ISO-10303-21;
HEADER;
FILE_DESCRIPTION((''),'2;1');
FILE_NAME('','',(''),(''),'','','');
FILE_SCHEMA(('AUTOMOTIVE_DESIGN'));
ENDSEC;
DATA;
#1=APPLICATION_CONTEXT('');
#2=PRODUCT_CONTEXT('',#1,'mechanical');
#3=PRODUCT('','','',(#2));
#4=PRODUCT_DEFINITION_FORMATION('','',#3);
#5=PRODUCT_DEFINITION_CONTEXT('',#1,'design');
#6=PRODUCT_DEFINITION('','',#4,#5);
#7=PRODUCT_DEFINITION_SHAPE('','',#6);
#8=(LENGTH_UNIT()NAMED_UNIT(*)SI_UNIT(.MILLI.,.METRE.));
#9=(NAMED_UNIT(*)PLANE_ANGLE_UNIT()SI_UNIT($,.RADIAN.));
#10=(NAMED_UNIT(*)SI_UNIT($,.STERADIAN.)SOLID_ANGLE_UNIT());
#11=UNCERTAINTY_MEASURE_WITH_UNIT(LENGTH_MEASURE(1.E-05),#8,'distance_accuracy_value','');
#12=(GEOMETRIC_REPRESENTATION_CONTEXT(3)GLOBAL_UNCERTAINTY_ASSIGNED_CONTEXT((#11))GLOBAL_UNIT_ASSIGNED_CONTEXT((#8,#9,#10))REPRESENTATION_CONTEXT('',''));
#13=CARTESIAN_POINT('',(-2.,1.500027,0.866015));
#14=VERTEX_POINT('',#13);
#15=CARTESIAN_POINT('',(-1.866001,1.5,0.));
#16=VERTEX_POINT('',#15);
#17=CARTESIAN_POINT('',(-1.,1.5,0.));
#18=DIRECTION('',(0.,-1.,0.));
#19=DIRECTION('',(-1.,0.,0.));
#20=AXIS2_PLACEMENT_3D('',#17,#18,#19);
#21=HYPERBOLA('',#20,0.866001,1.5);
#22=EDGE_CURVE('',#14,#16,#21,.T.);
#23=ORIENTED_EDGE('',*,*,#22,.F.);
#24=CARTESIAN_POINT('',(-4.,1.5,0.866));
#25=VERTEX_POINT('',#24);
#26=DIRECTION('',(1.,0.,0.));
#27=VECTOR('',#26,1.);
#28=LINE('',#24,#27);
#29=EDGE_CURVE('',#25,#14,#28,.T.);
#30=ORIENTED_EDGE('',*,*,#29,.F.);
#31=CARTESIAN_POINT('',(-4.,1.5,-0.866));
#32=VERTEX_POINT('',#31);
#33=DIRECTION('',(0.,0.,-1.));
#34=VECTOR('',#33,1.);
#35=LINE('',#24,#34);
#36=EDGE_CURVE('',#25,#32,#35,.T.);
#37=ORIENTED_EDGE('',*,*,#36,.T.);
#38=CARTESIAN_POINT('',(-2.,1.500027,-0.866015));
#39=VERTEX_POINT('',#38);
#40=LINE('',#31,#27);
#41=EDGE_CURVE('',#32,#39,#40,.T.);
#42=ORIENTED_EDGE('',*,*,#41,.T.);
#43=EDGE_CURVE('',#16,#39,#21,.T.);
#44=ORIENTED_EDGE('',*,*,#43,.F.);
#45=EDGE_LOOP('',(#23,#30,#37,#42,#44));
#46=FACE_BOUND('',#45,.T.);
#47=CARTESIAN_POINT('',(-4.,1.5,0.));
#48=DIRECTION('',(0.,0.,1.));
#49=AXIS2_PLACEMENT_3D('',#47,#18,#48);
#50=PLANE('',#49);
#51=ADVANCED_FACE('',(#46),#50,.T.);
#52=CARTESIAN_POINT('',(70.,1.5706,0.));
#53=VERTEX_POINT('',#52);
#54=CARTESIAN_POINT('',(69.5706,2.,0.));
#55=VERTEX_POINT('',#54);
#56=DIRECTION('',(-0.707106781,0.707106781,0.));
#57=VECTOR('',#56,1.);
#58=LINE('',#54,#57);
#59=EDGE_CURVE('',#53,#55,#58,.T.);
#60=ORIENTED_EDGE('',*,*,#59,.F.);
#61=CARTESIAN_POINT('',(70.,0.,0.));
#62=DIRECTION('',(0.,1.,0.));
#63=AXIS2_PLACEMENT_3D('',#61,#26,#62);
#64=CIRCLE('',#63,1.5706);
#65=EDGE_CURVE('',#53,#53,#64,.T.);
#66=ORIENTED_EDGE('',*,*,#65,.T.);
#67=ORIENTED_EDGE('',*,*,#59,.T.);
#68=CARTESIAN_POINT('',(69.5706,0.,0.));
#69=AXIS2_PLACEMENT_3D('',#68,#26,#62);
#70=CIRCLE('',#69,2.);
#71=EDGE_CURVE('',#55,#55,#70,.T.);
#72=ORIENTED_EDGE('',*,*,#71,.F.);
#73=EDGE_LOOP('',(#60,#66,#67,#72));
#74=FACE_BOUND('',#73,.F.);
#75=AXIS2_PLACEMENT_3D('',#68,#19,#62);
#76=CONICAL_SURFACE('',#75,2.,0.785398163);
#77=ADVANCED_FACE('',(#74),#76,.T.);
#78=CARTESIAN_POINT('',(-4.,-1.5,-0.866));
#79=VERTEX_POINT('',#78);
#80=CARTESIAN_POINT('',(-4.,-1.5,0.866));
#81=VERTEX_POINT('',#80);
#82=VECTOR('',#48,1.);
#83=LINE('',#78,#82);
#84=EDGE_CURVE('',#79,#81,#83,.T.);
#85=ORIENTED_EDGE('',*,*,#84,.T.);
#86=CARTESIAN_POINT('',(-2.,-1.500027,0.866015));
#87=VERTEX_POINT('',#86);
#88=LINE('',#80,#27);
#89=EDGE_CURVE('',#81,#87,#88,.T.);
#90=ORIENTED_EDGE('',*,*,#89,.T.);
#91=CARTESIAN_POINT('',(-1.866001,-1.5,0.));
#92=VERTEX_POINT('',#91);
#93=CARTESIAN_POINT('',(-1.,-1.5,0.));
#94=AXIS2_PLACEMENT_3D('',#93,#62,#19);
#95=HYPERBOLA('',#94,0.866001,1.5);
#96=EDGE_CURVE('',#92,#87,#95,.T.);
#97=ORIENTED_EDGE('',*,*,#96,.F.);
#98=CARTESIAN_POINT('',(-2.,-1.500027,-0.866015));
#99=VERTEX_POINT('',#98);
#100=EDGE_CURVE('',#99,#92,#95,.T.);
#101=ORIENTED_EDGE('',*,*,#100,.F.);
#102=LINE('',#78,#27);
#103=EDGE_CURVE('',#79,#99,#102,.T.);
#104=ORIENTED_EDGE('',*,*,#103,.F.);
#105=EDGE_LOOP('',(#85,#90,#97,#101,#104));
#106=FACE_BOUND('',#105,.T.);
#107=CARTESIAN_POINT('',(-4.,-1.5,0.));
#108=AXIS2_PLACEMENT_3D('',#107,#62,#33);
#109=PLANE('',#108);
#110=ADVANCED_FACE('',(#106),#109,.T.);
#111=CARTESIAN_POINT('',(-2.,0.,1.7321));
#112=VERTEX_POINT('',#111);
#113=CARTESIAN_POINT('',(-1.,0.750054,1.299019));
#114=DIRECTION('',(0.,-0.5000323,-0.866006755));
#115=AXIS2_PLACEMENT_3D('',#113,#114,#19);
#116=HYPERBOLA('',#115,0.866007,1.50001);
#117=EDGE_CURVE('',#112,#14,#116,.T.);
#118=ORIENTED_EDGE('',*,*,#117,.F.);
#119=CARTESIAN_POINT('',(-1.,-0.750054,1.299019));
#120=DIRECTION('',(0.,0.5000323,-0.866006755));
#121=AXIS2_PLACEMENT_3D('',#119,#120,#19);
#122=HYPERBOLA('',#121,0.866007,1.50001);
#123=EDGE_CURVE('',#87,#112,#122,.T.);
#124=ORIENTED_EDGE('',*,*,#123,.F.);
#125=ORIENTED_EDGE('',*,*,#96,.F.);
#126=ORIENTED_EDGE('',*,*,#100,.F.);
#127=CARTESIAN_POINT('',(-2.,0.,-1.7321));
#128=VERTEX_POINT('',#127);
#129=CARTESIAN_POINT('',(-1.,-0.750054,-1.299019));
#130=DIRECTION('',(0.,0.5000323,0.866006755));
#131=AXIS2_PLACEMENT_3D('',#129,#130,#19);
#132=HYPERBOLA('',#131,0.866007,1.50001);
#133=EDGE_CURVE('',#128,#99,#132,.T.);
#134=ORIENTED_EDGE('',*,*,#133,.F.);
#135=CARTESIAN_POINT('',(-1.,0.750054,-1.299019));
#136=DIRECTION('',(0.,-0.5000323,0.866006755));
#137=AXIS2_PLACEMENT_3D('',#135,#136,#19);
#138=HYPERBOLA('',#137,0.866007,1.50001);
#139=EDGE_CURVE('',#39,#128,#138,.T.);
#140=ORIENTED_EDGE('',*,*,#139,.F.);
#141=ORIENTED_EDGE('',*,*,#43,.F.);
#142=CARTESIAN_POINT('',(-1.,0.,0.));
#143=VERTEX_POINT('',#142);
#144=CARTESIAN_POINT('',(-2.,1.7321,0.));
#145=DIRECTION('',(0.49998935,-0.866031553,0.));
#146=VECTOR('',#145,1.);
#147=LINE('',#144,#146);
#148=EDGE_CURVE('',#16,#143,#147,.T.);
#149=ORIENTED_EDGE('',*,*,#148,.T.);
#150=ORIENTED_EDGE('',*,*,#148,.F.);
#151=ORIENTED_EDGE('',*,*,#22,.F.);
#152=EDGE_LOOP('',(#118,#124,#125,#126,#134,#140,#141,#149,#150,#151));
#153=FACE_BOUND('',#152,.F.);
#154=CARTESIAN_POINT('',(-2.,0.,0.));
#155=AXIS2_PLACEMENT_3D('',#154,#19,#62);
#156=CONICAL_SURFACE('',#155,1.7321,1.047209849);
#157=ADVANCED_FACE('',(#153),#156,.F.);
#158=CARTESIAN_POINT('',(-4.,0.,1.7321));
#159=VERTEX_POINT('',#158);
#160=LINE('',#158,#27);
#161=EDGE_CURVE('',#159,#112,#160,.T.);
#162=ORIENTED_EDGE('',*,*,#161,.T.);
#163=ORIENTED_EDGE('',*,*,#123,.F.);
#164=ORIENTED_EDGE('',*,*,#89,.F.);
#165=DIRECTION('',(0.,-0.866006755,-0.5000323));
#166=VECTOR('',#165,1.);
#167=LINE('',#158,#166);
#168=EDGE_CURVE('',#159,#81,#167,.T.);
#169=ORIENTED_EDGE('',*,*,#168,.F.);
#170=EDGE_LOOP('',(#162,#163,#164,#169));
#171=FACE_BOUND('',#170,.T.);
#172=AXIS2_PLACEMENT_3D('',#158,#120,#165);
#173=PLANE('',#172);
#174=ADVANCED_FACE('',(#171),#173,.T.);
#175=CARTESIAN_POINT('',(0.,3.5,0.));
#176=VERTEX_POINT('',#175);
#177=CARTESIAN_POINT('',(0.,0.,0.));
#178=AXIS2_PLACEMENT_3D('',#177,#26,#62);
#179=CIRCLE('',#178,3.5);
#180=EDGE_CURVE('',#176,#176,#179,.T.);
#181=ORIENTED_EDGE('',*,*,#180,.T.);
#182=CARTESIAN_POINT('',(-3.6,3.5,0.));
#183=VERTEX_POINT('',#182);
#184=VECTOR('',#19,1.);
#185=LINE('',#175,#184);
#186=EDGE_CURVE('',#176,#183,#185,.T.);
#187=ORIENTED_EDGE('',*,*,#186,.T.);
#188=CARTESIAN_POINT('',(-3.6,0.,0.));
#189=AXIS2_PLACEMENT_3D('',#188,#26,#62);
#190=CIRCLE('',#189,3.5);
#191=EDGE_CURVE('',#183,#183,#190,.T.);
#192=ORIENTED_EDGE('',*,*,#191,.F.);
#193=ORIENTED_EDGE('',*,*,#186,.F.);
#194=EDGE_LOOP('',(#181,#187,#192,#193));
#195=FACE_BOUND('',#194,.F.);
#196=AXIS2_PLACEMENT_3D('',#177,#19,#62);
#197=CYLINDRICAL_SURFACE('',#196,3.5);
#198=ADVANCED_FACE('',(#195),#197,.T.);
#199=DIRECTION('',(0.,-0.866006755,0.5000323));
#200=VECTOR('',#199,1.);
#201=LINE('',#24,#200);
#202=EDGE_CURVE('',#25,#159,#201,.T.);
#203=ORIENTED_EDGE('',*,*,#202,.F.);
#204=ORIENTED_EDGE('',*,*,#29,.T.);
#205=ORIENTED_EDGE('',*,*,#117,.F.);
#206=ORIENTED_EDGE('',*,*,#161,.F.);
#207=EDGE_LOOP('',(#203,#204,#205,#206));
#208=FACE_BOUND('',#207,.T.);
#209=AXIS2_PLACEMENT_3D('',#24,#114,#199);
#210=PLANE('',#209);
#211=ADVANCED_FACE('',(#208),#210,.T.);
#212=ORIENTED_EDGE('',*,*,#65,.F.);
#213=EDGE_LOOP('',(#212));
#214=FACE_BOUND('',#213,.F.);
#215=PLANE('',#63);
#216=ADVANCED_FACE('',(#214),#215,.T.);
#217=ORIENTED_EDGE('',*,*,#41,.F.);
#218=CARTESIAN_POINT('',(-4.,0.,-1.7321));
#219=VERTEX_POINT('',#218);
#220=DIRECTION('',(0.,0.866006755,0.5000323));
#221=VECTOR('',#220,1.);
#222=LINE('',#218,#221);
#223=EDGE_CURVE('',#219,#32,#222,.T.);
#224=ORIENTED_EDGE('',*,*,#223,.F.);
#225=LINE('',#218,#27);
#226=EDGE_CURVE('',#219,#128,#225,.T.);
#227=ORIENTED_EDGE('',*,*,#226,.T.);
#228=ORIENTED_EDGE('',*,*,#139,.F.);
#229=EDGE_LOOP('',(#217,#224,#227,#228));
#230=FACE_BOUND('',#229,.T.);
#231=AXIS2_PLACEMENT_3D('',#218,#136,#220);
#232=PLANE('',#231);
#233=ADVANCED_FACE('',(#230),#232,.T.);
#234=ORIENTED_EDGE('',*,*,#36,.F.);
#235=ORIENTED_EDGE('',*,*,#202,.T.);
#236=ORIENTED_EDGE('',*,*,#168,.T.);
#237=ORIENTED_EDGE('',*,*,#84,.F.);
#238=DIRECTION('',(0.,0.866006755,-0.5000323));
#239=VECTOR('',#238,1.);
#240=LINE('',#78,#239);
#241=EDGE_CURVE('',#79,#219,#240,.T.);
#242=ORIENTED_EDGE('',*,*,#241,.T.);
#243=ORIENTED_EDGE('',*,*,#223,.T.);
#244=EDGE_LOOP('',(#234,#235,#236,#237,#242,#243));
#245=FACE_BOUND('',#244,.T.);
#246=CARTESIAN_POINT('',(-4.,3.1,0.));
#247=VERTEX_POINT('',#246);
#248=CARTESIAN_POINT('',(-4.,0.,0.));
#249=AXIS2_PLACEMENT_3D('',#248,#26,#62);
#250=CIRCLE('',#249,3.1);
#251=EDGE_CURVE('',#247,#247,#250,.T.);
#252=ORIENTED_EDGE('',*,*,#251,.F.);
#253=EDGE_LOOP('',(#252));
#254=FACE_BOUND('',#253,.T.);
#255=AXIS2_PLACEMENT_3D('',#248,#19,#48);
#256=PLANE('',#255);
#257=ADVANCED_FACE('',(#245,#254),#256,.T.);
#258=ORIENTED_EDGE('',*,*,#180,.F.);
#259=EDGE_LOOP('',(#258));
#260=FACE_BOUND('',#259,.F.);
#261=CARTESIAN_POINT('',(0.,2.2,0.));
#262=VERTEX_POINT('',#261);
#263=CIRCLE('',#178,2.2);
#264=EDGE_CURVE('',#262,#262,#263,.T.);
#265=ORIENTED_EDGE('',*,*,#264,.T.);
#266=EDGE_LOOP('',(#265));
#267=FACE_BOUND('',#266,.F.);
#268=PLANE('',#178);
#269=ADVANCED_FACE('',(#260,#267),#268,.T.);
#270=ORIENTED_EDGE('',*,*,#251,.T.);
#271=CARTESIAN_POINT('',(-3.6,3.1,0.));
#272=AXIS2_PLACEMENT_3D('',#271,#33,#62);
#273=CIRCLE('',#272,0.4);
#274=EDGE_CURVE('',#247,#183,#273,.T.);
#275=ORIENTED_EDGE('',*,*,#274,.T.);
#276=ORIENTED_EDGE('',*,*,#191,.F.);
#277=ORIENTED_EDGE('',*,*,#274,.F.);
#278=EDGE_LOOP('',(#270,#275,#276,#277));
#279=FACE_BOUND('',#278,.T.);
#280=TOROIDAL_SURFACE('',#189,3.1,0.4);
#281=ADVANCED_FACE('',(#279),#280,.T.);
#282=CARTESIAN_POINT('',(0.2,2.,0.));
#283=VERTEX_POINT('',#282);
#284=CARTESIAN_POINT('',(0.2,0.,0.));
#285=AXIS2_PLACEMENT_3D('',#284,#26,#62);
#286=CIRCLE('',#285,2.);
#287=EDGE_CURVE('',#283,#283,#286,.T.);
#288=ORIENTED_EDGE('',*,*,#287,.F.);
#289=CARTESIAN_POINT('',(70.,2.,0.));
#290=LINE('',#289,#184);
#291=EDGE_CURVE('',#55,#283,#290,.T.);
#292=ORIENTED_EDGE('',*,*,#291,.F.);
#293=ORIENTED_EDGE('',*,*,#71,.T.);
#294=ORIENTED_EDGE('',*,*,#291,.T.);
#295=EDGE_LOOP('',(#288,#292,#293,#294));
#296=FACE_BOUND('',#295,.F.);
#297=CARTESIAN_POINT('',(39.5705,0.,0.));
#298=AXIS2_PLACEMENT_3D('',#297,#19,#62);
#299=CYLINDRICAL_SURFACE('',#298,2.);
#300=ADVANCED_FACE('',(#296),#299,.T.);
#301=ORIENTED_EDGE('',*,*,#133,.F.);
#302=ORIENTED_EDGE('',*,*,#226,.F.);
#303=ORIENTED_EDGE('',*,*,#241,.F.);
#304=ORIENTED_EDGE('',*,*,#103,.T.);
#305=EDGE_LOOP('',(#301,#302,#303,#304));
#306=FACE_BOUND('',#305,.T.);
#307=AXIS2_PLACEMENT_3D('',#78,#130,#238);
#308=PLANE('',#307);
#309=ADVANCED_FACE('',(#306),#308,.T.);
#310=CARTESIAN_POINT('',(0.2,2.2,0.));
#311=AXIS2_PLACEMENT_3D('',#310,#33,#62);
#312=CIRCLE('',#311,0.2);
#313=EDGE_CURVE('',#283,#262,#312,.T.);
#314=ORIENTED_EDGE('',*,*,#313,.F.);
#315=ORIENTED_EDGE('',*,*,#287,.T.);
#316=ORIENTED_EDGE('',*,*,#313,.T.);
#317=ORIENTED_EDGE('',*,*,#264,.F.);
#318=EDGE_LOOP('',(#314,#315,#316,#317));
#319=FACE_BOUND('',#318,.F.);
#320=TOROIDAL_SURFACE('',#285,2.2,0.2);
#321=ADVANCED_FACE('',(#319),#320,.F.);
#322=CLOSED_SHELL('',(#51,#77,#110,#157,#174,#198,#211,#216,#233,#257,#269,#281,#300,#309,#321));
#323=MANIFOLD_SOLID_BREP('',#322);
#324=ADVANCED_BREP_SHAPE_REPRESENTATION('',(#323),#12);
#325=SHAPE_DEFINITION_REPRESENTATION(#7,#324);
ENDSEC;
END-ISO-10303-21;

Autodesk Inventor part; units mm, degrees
ref_plane "YZ Plane" through (0, 0, 0) normal (1, 0, 0) x (0, 1, 0)
ref_plane "XZ Plane" through (0, 0, 0) normal (0, 1, 0) x (-1, 0, 0)
sketch "Skizze1" plane through (0, 0, 0) normal (0, 0, 1) x (1, 0, 0)
  line L0 (-1, 0) -> (70, 0)
  line L1 (70, 0) -> (70, 2)
  line L2 (70, 2) -> (40, 2)
  line L3 (40, 2) -> (39.5705, 2)
  line L4 (39.5705, 2) -> (0, 2)
  line L5 (0, 2) -> (0, 3.5)
  line L6 (0, 3.5) -> (-4, 3.5)
  line L7 (-4, 3.5) -> (-4, 1.7321)
  line L8 (-4, 1.7321) -> (-2, 1.7321)
  line L9 (-2, 1.7321) -> (-1, 0)
  line L10 (-20.8, 0) -> (96.8, 0) projected
  line L11 (0, -0.7) -> (0, 4.2) projected
  line L12 (40, 2) -> (0, 2) construction
  dimension "d1" = 30
  dimension "d2" = 0.4295
  dimension "d3" = 4
  dimension "d4" = 2
  dimension "d5" = 60
  dimension "d6" = 4
  dimension "d7" = 4
  dimension "d8" = 3.4641
  dimension "d9" = 7
  dimension "d26" = 70
revolve "Körper" add sketch "Skizze1" angle 360 about axis through (-1, 0, 0) along (1, 0, 0)
sketch "Skizze2" plane through (-4, 0, 0) normal (-1, 0, 0) x (0, 0, 1)
  circle A0 centre (0, 0) radius 1.7321 projected
  line L0 (0, -4.9) -> (0, 4.9) projected
  line L1 (-4.9, 0) -> (4.9, 0) projected
  line L2 (1.7321, 0) -> (0.866, -1.5)
  line L3 (0.866, -1.5) -> (-0.866, -1.5)
  line L4 (-0.866, -1.5) -> (-1.7321, 0)
  line L5 (-1.7321, 0) -> (-0.866, 1.5)
  line L6 (-0.866, 1.5) -> (0.866, 1.5)
  line L7 (0.866, 1.5) -> (1.7321, 0)
extrude "Loch" add sketch "Skizze2" against normal up to next contours L7 A0 | A0 L2 | L6 L0 A0 | A0 L0 L3 | L0 L6 A0 | A0 L3 L0 | L4 A0 | A0 L5
fillet "Rundung1" radius 0.4 1 edges at (-4, -3.5, 0)
thread "Gewinde" size "M4x0.7" class "6g" standard "ISO Metric profile" length 30
chamfer "Fase1" distance 0.4294 distance2 0.4294 1 edges at (70, -2, 0) measured on face at (70, -0.3787, -0.5487)
ref_plane "Work Plane1" through (29, 0, 0) normal (0, -1, 0) x (1, 0, 0)
fillet "Fillet2" radius 0.2 1 edges at (0, -2, 0)
equation "\"d1\" = GEL"
equation "\"d3\" = KOH"
equation "\"d4\" = INTI"
equation "\"d6\" = GD"
equation "\"d7\" = BDM"
equation "\"d8\" = 1.1547 * SW"
equation "\"d9\" = KOD"
equation "\"d26\" = NLG"
equation "\"d30\" = R"
equation "\"d17\" = RR"
equation "\"d13\" = GEL"
equation "\"d15\" = -0.5 * SPD + 0.5 * GD"
equation "\"d16\" = GUL"
equation "\"GD\" = NND"
equation "\"NLG\" = 70"
equation "\"GEL\" = 30"
equation "\"KOD\" = 7"
equation "\"KOH\" = 4"
equation "\"INTI\" = 2"
equation "\"GAL\" = 0.61345 * PTC"
equation "\"GUL\" = 0.61345 * PTC"
equation "\"BDM\" = NND"
equation "\"SW\" = 3"
equation "\"RR\" = 0.4"
equation "\"SPD\" = NND - 1.2269 * PTC"
equation "\"R\" = 0.2"
equation "\"TOA\" = 30deg"
equation "\"GD1\" = THREADDIA - 1.2269 * PTC"
equation "\"THREADDIA\" = 4"
equation "\"FAWI\" = 45deg"
equation "\"ANG\" = 120deg"
equation "\"PTC\" = 0.7"
equation "\"NND\" = 4"
equation "\"E0\" = 1.155 * SW"
properties part number "DIN 912 - M4 x 70" material "Stahl, weich"
